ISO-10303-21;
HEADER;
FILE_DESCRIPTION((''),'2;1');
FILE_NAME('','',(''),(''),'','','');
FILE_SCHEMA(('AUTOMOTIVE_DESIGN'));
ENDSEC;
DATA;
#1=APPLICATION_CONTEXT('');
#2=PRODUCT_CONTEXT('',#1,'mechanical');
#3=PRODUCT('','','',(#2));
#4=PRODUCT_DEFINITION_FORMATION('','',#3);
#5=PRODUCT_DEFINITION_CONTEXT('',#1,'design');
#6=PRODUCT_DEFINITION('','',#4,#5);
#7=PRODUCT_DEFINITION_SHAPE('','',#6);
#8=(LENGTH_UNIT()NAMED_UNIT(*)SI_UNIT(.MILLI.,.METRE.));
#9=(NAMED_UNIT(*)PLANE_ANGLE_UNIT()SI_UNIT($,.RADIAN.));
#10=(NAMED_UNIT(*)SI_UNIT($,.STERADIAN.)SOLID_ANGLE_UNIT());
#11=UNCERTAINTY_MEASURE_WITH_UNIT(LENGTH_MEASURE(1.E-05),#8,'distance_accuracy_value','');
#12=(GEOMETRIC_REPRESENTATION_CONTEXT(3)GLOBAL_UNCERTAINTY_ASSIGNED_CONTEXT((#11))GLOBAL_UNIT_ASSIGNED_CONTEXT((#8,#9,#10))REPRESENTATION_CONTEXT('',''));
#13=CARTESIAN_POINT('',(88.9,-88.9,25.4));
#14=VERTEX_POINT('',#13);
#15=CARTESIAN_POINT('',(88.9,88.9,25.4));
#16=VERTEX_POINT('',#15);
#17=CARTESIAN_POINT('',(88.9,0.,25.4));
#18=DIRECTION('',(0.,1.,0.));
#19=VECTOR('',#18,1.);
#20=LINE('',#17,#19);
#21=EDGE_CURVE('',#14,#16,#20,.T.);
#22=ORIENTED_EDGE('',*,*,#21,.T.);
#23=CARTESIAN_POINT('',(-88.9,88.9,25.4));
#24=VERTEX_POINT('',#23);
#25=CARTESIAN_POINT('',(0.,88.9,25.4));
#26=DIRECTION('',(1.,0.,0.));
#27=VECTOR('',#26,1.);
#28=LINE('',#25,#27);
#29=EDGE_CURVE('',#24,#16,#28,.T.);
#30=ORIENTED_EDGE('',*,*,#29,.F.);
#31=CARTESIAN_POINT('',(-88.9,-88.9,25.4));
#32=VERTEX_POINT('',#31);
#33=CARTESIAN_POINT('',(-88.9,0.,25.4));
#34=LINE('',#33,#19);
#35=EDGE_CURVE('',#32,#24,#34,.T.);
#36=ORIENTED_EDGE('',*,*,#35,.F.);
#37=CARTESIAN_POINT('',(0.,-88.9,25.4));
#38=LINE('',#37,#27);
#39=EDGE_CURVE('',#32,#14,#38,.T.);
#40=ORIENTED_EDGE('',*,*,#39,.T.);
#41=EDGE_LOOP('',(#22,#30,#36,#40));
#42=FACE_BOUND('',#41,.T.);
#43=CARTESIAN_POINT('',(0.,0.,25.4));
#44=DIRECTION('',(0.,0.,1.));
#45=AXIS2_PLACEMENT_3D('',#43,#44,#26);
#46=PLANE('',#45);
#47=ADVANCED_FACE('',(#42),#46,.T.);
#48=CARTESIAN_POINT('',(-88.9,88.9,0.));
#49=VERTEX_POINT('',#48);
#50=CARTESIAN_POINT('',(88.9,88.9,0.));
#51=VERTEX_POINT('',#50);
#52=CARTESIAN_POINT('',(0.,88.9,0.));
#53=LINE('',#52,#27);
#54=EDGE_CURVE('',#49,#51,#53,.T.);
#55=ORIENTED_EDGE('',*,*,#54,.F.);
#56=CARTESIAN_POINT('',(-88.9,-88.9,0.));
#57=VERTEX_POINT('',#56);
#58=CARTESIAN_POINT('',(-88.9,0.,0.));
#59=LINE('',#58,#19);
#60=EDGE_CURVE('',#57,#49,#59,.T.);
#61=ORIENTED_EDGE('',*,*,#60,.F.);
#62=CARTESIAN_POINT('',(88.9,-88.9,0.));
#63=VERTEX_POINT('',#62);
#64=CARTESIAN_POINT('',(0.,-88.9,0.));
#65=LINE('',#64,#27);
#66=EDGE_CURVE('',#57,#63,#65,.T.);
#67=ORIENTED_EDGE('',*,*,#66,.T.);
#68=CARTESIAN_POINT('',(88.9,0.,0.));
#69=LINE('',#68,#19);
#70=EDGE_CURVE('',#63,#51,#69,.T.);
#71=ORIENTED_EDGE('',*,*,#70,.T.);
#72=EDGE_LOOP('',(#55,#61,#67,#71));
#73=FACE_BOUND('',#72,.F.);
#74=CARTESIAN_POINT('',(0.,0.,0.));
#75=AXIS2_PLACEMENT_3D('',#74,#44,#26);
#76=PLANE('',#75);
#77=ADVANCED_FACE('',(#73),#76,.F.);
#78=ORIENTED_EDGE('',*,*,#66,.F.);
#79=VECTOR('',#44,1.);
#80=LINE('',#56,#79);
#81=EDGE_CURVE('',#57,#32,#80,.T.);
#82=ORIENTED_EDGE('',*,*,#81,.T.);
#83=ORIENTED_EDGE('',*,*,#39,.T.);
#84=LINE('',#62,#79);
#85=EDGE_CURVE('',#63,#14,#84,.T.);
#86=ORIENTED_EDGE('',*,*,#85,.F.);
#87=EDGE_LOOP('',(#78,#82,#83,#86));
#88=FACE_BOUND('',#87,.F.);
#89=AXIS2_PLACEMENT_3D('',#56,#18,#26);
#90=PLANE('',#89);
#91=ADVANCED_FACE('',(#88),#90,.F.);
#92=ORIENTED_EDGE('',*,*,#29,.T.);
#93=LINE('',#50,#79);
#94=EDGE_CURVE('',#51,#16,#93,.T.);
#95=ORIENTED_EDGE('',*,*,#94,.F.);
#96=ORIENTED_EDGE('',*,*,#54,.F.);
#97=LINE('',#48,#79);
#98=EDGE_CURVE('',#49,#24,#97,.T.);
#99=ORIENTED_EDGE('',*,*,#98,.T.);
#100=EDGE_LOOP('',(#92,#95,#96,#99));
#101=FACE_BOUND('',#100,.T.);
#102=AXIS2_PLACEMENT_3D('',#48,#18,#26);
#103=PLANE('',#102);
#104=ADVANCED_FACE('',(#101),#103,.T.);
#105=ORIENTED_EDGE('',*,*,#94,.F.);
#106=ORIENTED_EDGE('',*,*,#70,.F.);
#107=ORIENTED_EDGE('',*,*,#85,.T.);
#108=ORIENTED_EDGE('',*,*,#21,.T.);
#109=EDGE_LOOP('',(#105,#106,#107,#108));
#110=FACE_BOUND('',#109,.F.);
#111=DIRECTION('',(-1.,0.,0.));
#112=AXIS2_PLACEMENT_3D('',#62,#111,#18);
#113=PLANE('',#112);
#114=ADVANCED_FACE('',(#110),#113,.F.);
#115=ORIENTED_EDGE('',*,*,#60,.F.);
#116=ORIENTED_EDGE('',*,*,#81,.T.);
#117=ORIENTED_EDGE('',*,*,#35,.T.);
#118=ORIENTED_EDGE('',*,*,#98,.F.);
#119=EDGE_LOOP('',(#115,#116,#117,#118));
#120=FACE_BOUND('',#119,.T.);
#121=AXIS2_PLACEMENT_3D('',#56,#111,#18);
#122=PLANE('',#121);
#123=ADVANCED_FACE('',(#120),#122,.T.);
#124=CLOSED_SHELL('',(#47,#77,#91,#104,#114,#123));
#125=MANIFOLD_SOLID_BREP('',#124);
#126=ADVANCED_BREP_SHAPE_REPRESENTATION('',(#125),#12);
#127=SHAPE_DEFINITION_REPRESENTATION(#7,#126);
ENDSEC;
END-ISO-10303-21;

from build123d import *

# Parameters (mm, degrees)
F1_W     = 177.8
F1_H     = 177.8
F2_DEPTH = 25.4
F0_W     = 22.492748
F0_H     = 44.443493
F0_W_2   = 22.317298
F0_H_2   = 22.221747
F3_DEPTH = 25.4


with BuildPart() as f2:
    # F1 (on face) → F2 (new body)
    with BuildSketch(Plane.XY):
        Rectangle(F1_W, F1_H)
    extrude(amount=F2_DEPTH)

    # F0 (on Top) → F3 (cut)
    with BuildSketch(Plane.XY):
        Polygon((-44.733308, 0), (-44.733308, -22.146555), (-22.431135, -22.290105), (-22.431135, -66.590048), (0, -66.590048), (0, -44.099309), (22.443322, -44.099309), (22.443322, -22.290105), (0, -22.290105), (0, 0), (22.499099, 0), (22.499099, 22.651171), (66.545643, 22.651171), (66.545643, 44.861104), (44.157621, 44.861104), (44.157621, 67.118011), (0, 67.118011), (0, 22.651171), (-22.431135, 22.651171), (-22.431135, 67.118011), (-67.136399, 67.118011), (-67.050606, 44.546161), (-44.733308, 44.546161), (-44.733308, 22.651171), (-67.050606, 22.651171), (-67.050606, 0), align=None)
        with Locations((55.283399, -44.368302)):
            Rectangle(F0_W, F0_H)
        with Locations((-55.891957, -33.257429)):
            Rectangle(F0_W_2, F0_H_2)
    extrude(amount=-F3_DEPTH, mode=Mode.SUBTRACT)


solid = f2.part
